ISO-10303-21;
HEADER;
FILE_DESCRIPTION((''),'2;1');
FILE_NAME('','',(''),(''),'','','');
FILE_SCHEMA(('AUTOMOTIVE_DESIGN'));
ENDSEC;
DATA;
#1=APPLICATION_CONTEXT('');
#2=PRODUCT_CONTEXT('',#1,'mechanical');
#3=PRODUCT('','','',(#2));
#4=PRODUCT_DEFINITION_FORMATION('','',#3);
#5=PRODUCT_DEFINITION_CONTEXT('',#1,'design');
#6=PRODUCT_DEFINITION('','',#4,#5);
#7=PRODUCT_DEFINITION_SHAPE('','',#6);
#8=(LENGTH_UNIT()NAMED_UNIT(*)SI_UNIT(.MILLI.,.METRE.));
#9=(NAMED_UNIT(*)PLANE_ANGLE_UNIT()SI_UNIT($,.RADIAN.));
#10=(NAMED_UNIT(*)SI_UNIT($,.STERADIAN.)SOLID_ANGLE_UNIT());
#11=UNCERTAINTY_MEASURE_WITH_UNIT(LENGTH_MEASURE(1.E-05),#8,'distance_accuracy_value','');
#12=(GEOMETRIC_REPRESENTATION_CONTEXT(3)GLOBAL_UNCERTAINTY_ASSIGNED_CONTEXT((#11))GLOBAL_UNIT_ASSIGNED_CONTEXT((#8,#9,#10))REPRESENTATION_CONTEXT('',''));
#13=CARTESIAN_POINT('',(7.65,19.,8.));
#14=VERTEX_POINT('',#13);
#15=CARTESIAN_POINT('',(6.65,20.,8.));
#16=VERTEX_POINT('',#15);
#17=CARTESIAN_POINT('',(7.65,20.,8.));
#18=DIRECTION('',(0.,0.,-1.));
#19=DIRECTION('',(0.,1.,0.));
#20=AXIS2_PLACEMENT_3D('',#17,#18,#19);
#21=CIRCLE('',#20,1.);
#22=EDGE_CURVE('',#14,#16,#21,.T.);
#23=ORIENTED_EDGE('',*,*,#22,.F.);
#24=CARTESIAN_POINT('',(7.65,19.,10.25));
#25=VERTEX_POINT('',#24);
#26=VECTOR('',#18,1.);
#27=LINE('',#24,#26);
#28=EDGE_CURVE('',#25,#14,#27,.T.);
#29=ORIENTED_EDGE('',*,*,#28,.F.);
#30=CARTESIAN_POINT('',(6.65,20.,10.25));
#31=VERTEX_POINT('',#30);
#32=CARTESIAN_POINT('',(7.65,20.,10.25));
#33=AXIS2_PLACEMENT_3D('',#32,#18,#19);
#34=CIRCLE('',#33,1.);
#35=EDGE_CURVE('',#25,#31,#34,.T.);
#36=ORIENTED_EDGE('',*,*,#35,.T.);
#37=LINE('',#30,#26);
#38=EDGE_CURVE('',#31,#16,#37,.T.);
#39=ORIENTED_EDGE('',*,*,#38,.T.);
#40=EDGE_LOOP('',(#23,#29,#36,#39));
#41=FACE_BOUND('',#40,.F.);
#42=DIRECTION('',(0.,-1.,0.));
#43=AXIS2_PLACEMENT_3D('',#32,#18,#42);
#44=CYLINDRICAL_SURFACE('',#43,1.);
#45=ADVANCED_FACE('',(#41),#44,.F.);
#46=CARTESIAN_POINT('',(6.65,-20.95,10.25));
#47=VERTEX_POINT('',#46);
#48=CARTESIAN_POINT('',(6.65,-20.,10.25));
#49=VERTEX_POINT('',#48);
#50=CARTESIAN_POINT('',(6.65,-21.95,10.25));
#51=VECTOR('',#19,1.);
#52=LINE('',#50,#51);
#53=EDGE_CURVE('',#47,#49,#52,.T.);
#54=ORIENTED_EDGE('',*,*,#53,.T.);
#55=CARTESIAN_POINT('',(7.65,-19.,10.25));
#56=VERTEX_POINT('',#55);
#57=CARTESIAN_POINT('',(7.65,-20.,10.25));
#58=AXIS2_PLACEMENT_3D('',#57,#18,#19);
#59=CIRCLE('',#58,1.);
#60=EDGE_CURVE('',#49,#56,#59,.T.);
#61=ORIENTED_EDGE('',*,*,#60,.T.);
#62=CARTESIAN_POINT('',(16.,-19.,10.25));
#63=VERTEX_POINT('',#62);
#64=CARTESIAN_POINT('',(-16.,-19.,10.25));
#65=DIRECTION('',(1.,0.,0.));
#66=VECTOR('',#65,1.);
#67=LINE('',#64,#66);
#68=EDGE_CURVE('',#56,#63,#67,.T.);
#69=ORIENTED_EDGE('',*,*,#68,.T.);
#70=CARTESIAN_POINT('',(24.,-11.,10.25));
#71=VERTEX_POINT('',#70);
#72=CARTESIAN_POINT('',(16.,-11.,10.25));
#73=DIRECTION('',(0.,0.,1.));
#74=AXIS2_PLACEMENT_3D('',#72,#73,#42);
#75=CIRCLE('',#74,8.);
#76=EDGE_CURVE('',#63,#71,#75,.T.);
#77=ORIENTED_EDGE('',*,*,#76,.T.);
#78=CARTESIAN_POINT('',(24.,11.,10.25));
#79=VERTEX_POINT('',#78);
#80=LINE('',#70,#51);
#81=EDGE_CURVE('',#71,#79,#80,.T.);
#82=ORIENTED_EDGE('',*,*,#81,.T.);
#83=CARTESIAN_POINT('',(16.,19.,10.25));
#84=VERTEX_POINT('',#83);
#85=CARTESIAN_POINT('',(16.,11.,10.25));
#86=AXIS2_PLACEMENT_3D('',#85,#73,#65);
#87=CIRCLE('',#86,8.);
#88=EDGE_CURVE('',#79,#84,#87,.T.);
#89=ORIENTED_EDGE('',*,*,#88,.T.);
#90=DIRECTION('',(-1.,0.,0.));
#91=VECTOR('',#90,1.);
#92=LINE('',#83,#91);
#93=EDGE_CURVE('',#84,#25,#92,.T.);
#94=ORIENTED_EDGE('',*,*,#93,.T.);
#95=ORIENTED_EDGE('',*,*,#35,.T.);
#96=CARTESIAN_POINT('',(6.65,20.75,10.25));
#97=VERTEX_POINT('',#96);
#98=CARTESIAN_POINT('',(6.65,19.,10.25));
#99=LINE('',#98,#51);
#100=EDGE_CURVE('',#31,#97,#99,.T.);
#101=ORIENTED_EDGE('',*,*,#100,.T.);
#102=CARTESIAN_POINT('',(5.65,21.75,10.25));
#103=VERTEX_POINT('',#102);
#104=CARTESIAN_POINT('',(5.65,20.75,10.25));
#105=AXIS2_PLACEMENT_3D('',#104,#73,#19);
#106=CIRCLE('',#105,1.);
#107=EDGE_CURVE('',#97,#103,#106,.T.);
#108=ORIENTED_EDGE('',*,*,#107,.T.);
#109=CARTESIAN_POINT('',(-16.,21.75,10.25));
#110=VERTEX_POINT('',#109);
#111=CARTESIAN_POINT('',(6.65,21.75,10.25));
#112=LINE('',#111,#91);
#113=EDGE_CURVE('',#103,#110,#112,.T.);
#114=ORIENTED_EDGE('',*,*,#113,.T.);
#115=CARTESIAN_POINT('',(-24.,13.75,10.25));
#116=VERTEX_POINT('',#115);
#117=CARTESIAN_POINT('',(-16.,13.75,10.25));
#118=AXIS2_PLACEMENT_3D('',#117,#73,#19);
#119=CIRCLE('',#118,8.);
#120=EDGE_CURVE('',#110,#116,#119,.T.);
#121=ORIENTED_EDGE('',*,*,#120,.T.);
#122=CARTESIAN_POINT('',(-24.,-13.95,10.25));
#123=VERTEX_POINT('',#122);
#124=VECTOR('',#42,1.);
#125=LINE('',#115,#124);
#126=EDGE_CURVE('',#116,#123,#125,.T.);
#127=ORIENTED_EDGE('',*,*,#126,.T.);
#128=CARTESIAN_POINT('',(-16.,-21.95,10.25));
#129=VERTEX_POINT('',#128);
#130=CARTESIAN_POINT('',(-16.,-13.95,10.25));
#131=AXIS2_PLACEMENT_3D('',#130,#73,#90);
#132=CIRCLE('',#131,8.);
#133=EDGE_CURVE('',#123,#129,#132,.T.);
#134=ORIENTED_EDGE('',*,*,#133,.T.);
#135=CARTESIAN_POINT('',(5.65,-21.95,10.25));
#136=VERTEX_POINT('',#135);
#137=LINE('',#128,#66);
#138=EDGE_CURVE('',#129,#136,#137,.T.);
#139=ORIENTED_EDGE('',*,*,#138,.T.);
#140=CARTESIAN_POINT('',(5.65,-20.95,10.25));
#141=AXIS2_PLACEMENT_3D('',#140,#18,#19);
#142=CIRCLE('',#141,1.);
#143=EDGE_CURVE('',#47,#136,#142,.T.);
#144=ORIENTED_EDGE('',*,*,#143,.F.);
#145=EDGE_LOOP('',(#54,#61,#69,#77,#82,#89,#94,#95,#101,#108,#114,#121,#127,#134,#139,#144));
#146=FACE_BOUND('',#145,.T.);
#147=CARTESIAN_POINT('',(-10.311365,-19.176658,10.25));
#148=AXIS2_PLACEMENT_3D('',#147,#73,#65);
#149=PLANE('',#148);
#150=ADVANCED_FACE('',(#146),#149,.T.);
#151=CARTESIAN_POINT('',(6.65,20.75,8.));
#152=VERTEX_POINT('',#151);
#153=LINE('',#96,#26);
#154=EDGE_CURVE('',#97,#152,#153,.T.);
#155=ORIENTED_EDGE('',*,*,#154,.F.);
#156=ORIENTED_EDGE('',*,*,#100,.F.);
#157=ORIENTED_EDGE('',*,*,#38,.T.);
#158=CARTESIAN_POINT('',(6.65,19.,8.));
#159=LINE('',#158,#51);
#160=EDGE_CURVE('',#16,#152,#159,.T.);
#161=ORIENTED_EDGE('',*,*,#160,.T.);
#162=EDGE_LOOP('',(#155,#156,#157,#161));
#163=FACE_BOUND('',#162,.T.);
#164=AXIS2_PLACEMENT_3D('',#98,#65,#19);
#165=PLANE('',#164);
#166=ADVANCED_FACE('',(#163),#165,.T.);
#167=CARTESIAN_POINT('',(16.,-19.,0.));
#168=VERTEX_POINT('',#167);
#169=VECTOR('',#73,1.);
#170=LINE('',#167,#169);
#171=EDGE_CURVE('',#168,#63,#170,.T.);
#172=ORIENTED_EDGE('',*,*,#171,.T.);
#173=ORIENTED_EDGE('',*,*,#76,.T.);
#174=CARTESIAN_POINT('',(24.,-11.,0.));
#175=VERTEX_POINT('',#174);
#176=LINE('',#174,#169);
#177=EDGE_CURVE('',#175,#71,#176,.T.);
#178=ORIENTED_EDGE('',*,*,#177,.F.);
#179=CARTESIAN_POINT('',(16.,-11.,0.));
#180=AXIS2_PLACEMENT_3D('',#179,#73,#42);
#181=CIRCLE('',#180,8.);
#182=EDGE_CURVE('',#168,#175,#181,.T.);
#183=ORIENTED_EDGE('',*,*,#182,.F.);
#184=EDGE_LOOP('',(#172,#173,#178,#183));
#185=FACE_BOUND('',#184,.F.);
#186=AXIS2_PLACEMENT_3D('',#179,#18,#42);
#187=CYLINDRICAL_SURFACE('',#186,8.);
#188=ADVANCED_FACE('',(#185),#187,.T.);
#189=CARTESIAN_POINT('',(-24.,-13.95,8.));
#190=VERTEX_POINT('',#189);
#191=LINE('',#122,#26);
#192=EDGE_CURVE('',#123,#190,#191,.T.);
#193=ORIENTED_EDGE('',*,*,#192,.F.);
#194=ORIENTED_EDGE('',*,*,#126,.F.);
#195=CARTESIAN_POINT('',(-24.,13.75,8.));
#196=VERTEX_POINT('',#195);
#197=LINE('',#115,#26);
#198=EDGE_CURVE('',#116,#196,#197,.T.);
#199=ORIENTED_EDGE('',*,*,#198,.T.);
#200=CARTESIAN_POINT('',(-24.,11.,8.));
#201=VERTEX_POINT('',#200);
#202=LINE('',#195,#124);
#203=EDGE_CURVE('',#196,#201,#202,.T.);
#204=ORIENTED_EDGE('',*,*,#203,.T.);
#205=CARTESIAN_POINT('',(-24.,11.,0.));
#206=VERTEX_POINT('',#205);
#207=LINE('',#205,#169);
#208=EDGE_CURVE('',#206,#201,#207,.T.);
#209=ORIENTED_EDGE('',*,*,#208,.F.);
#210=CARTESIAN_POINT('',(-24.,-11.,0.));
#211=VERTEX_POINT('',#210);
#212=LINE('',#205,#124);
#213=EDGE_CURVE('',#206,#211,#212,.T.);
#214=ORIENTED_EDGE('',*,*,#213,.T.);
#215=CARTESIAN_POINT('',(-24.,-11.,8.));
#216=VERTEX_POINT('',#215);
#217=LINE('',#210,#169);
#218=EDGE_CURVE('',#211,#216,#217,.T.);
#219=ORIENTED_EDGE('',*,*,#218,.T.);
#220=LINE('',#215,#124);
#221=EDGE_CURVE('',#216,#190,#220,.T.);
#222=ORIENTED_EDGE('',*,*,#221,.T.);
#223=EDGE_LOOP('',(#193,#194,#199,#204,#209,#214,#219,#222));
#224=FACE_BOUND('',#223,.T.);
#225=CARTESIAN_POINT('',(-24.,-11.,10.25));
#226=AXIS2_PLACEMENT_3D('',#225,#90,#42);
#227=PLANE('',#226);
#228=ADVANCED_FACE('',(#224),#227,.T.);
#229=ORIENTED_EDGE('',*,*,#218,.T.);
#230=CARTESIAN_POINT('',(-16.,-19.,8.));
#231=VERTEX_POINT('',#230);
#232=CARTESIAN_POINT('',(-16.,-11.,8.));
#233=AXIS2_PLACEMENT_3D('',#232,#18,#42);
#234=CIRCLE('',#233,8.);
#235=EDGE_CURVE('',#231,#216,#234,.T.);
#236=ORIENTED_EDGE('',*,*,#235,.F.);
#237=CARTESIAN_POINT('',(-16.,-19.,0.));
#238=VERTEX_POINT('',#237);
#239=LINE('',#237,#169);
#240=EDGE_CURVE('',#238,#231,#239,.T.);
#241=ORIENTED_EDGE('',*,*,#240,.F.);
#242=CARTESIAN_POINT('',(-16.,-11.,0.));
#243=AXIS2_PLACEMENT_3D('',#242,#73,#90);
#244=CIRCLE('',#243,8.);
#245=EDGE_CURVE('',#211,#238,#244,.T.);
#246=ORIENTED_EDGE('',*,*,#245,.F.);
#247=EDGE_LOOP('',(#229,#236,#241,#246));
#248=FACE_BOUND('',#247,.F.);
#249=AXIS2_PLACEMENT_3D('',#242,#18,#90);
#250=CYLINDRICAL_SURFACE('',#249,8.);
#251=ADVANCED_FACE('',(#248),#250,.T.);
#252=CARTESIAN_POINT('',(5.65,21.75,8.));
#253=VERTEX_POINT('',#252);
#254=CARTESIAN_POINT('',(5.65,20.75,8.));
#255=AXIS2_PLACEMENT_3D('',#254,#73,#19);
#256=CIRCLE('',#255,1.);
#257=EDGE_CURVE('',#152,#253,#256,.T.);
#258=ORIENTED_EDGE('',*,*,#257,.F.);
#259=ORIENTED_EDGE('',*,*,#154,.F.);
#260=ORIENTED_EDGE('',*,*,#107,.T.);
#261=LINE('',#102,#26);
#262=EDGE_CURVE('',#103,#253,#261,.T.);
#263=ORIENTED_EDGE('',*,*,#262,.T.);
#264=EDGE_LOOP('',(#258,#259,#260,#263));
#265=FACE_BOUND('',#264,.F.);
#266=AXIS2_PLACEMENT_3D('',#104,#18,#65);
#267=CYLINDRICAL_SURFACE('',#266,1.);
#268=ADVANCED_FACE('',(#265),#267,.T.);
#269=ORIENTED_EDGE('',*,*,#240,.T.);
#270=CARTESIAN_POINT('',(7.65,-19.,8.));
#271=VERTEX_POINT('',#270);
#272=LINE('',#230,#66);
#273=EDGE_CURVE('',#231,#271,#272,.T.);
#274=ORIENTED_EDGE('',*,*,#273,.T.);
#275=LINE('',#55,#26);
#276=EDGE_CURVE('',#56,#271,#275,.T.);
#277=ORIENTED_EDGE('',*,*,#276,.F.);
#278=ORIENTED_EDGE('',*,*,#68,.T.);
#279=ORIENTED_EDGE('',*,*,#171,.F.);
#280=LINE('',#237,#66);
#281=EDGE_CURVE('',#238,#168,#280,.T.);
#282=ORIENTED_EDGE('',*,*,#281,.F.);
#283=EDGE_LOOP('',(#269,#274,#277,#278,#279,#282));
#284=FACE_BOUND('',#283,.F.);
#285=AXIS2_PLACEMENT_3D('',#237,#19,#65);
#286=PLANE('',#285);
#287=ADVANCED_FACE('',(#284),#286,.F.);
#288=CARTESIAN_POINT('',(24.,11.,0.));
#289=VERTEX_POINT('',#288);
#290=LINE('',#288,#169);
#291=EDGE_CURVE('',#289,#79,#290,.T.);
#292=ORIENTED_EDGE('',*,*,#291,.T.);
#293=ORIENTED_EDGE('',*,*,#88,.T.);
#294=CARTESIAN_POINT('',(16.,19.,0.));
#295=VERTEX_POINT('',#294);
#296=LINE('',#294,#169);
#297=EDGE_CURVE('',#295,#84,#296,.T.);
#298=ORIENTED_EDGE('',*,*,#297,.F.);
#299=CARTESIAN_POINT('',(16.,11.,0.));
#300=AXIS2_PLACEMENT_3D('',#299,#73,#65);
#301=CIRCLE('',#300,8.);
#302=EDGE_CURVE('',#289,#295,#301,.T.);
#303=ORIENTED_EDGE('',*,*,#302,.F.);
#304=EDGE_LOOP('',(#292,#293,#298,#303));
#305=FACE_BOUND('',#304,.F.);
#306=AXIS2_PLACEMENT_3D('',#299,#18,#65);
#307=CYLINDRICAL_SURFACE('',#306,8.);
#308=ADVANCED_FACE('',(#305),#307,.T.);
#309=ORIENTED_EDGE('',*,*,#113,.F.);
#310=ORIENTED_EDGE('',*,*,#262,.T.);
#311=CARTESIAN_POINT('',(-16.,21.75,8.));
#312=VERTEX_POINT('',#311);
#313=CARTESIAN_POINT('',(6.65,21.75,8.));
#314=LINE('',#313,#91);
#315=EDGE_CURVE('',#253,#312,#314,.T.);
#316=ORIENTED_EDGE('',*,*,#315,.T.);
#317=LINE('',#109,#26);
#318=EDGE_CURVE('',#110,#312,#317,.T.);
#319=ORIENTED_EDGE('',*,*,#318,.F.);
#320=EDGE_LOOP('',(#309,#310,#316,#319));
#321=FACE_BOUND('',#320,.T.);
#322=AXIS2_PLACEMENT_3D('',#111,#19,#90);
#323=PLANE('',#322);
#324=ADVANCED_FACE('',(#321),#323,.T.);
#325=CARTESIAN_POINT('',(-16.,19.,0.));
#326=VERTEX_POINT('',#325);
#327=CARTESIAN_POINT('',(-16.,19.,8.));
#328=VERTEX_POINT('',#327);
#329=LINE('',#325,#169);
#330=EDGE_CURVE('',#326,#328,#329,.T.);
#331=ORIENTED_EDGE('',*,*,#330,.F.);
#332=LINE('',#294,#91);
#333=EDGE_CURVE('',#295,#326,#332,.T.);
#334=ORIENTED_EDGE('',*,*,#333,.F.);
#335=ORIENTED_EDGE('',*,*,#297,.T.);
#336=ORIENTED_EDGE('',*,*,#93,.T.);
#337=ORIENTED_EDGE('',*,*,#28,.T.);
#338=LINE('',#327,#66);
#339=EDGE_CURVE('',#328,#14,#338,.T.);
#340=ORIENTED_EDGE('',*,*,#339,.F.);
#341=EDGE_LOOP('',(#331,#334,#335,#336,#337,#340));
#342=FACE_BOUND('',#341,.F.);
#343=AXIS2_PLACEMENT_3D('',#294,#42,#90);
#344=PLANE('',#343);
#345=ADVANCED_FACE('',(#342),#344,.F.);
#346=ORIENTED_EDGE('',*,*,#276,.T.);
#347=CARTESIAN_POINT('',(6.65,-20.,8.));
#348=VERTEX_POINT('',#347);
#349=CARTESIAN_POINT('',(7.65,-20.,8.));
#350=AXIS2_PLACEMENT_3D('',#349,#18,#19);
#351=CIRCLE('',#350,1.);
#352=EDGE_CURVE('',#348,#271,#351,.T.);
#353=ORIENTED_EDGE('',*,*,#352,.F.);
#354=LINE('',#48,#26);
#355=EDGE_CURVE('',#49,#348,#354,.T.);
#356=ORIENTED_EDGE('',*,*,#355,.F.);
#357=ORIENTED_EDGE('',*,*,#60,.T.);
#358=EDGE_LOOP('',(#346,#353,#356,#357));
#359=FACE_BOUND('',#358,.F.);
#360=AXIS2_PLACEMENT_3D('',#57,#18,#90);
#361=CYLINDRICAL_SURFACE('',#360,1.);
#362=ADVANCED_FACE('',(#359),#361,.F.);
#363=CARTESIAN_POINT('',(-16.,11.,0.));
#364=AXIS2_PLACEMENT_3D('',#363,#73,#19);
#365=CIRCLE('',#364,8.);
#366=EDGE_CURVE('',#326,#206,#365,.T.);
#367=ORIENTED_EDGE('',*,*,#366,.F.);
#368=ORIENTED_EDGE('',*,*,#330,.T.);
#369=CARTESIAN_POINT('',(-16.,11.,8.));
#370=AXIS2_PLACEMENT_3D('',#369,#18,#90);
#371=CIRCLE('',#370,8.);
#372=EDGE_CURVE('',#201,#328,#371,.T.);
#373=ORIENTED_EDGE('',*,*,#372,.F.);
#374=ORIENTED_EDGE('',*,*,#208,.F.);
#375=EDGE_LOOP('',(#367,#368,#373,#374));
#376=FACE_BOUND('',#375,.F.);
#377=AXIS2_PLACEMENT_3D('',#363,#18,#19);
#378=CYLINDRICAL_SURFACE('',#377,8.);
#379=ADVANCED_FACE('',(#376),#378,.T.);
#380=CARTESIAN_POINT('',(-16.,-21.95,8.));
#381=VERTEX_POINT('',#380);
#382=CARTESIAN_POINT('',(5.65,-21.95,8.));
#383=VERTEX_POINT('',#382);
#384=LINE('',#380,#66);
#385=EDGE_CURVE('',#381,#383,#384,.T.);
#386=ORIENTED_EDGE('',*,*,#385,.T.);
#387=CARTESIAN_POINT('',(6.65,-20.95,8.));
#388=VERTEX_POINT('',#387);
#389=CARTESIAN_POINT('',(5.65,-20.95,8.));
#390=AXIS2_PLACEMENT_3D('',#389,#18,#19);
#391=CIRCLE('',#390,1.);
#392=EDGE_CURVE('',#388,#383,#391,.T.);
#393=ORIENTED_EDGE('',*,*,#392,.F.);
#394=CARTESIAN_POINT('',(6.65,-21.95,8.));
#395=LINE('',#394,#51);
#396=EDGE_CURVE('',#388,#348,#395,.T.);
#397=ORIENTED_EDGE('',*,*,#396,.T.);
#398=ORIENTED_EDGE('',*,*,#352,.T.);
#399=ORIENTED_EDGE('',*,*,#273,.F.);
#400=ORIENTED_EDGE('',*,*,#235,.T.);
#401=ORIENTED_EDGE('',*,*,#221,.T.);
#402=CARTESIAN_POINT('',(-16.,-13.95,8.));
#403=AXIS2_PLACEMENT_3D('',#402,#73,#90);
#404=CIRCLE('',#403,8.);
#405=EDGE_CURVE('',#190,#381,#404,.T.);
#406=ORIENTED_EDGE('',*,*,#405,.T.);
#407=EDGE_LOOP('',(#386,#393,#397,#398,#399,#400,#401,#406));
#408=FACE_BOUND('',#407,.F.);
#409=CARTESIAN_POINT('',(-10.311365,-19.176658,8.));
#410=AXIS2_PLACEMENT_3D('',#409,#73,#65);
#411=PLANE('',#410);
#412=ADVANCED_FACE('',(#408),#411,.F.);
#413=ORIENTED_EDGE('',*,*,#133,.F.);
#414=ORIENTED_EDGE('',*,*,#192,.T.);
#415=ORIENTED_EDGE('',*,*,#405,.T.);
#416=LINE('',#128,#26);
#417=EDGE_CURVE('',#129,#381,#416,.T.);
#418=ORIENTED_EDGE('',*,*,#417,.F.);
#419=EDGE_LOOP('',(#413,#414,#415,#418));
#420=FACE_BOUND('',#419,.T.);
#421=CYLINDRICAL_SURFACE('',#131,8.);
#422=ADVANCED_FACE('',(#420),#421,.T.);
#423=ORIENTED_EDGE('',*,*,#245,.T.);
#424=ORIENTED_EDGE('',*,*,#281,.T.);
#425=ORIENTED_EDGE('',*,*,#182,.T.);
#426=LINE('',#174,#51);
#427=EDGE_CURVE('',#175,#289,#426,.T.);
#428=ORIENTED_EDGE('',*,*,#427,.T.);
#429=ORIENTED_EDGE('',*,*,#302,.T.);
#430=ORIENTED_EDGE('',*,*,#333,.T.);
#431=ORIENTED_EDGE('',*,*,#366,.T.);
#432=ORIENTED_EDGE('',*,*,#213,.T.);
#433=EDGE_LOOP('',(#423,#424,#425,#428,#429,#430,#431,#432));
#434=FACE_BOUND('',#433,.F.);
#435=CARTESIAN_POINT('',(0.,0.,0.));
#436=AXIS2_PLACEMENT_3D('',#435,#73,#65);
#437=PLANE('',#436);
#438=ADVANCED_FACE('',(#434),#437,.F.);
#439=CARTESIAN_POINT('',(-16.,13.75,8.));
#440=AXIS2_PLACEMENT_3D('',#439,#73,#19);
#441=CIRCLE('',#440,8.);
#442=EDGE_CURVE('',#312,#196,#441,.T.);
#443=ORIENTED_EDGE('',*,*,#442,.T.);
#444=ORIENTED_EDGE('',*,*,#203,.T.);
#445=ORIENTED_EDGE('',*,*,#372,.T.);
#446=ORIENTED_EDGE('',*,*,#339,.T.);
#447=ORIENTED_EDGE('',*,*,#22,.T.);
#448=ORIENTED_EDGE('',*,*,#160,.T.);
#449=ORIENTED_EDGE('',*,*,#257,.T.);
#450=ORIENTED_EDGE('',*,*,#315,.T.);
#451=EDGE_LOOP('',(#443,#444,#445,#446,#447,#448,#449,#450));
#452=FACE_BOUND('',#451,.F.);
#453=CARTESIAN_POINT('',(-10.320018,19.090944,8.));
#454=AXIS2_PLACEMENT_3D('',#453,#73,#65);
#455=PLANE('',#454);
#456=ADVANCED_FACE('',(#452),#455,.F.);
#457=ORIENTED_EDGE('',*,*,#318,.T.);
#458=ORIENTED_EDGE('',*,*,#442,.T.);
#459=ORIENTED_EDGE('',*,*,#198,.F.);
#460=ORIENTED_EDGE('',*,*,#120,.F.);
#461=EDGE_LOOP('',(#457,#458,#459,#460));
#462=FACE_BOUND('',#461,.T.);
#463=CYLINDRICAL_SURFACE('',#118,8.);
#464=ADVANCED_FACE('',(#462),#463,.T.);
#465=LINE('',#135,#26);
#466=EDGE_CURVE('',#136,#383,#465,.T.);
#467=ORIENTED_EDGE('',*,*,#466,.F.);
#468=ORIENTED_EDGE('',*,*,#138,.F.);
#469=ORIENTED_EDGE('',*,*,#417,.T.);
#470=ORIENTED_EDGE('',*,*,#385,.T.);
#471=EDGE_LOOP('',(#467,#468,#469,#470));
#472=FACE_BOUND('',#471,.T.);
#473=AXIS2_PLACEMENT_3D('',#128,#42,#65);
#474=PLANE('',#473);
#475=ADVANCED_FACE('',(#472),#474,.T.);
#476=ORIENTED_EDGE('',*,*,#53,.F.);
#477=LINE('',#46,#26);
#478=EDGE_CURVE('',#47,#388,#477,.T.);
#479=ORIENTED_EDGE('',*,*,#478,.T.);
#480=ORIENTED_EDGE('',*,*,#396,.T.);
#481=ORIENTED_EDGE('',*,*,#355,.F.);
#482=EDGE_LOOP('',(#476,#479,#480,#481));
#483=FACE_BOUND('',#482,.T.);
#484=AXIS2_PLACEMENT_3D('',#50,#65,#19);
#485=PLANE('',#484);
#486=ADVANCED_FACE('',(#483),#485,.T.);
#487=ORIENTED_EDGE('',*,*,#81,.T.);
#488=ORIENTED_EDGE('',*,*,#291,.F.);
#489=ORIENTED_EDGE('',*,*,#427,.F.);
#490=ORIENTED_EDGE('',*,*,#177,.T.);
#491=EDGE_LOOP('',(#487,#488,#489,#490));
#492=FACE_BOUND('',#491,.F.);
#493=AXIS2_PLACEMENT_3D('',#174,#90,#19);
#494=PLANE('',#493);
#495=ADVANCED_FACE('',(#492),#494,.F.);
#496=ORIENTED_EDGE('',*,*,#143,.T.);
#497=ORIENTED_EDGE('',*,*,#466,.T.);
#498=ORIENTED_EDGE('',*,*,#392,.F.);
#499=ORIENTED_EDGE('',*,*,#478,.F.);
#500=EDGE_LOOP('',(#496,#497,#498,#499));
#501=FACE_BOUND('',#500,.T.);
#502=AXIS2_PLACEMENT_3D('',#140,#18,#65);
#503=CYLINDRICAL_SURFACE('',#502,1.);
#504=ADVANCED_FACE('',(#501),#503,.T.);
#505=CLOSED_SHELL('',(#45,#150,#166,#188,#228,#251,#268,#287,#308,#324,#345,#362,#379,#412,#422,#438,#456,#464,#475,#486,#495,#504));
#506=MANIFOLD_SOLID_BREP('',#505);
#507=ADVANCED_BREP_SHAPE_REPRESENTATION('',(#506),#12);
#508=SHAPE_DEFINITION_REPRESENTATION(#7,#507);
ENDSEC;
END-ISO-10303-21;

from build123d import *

# Parameters (mm, degrees)
F1_DEPTH = 10.25
F3_DEPTH = 2.25
F4_R     = 1


with BuildPart() as f1:
    # F0 (on Top) → F1 (new body)
    with BuildSketch(Plane.XY):
        with BuildLine():
            Line((16, 19), (-16, 19))
            ThreePointArc((-16, 19), (-21.6568542495, 16.6568542495), (-24, 11))
            Line((-24, 11), (-24, -11))
            ThreePointArc((-24, -11), (-21.6568542495, -16.6568542495), (-16, -19))
            Line((-16, -19), (16, -19))
            ThreePointArc((16, -19), (21.6568542495, -16.6568542495), (24, -11))
            Line((24, -11), (24, 11))
            ThreePointArc((24, 11), (21.6568542495, 16.6568542495), (16, 19))
        make_face()
    extrude(amount=F1_DEPTH)

    # F2 (on face) → F3 (join)
    with BuildSketch(Plane.XY.offset(10.25)):
        with BuildLine():
            Line((6.65, -21.95), (6.65, -19))
            Line((6.65, -19), (-16, -19))
            ThreePointArc((-16, -19), (-21.6568542495, -16.6568542495), (-24, -11))
            Line((-24, -11), (-24, -13.95))
            ThreePointArc((-24, -13.95), (-21.6568542495, -19.6068542495), (-16, -21.95))
            Line((-16, -21.95), (6.65, -21.95))
        make_face()
        with BuildLine():
            Line((6.65, 21.75), (-16, 21.75))
            ThreePointArc((-16, 21.75), (-21.6568542495, 19.4068542495), (-24, 13.75))
            Line((-24, 13.75), (-24, 11))
            ThreePointArc((-24, 11), (-21.6568542495, 16.6568542495), (-16, 19))
            Line((-16, 19), (6.65, 19))
            Line((6.65, 19), (6.65, 21.75))
        make_face()
    extrude(amount=-F3_DEPTH)

    # F4
    f4_edges = [f1.edges().sort_by_distance(p)[0] for p in [
        (6.65, 21.75, 9.125),
        (6.65, -21.95, 9.125),
        (6.65, -19, 9.125),
        (6.65, 19, 9.125),
    ]]
    fillet(f4_edges, radius=F4_R)


solid = f1.part
